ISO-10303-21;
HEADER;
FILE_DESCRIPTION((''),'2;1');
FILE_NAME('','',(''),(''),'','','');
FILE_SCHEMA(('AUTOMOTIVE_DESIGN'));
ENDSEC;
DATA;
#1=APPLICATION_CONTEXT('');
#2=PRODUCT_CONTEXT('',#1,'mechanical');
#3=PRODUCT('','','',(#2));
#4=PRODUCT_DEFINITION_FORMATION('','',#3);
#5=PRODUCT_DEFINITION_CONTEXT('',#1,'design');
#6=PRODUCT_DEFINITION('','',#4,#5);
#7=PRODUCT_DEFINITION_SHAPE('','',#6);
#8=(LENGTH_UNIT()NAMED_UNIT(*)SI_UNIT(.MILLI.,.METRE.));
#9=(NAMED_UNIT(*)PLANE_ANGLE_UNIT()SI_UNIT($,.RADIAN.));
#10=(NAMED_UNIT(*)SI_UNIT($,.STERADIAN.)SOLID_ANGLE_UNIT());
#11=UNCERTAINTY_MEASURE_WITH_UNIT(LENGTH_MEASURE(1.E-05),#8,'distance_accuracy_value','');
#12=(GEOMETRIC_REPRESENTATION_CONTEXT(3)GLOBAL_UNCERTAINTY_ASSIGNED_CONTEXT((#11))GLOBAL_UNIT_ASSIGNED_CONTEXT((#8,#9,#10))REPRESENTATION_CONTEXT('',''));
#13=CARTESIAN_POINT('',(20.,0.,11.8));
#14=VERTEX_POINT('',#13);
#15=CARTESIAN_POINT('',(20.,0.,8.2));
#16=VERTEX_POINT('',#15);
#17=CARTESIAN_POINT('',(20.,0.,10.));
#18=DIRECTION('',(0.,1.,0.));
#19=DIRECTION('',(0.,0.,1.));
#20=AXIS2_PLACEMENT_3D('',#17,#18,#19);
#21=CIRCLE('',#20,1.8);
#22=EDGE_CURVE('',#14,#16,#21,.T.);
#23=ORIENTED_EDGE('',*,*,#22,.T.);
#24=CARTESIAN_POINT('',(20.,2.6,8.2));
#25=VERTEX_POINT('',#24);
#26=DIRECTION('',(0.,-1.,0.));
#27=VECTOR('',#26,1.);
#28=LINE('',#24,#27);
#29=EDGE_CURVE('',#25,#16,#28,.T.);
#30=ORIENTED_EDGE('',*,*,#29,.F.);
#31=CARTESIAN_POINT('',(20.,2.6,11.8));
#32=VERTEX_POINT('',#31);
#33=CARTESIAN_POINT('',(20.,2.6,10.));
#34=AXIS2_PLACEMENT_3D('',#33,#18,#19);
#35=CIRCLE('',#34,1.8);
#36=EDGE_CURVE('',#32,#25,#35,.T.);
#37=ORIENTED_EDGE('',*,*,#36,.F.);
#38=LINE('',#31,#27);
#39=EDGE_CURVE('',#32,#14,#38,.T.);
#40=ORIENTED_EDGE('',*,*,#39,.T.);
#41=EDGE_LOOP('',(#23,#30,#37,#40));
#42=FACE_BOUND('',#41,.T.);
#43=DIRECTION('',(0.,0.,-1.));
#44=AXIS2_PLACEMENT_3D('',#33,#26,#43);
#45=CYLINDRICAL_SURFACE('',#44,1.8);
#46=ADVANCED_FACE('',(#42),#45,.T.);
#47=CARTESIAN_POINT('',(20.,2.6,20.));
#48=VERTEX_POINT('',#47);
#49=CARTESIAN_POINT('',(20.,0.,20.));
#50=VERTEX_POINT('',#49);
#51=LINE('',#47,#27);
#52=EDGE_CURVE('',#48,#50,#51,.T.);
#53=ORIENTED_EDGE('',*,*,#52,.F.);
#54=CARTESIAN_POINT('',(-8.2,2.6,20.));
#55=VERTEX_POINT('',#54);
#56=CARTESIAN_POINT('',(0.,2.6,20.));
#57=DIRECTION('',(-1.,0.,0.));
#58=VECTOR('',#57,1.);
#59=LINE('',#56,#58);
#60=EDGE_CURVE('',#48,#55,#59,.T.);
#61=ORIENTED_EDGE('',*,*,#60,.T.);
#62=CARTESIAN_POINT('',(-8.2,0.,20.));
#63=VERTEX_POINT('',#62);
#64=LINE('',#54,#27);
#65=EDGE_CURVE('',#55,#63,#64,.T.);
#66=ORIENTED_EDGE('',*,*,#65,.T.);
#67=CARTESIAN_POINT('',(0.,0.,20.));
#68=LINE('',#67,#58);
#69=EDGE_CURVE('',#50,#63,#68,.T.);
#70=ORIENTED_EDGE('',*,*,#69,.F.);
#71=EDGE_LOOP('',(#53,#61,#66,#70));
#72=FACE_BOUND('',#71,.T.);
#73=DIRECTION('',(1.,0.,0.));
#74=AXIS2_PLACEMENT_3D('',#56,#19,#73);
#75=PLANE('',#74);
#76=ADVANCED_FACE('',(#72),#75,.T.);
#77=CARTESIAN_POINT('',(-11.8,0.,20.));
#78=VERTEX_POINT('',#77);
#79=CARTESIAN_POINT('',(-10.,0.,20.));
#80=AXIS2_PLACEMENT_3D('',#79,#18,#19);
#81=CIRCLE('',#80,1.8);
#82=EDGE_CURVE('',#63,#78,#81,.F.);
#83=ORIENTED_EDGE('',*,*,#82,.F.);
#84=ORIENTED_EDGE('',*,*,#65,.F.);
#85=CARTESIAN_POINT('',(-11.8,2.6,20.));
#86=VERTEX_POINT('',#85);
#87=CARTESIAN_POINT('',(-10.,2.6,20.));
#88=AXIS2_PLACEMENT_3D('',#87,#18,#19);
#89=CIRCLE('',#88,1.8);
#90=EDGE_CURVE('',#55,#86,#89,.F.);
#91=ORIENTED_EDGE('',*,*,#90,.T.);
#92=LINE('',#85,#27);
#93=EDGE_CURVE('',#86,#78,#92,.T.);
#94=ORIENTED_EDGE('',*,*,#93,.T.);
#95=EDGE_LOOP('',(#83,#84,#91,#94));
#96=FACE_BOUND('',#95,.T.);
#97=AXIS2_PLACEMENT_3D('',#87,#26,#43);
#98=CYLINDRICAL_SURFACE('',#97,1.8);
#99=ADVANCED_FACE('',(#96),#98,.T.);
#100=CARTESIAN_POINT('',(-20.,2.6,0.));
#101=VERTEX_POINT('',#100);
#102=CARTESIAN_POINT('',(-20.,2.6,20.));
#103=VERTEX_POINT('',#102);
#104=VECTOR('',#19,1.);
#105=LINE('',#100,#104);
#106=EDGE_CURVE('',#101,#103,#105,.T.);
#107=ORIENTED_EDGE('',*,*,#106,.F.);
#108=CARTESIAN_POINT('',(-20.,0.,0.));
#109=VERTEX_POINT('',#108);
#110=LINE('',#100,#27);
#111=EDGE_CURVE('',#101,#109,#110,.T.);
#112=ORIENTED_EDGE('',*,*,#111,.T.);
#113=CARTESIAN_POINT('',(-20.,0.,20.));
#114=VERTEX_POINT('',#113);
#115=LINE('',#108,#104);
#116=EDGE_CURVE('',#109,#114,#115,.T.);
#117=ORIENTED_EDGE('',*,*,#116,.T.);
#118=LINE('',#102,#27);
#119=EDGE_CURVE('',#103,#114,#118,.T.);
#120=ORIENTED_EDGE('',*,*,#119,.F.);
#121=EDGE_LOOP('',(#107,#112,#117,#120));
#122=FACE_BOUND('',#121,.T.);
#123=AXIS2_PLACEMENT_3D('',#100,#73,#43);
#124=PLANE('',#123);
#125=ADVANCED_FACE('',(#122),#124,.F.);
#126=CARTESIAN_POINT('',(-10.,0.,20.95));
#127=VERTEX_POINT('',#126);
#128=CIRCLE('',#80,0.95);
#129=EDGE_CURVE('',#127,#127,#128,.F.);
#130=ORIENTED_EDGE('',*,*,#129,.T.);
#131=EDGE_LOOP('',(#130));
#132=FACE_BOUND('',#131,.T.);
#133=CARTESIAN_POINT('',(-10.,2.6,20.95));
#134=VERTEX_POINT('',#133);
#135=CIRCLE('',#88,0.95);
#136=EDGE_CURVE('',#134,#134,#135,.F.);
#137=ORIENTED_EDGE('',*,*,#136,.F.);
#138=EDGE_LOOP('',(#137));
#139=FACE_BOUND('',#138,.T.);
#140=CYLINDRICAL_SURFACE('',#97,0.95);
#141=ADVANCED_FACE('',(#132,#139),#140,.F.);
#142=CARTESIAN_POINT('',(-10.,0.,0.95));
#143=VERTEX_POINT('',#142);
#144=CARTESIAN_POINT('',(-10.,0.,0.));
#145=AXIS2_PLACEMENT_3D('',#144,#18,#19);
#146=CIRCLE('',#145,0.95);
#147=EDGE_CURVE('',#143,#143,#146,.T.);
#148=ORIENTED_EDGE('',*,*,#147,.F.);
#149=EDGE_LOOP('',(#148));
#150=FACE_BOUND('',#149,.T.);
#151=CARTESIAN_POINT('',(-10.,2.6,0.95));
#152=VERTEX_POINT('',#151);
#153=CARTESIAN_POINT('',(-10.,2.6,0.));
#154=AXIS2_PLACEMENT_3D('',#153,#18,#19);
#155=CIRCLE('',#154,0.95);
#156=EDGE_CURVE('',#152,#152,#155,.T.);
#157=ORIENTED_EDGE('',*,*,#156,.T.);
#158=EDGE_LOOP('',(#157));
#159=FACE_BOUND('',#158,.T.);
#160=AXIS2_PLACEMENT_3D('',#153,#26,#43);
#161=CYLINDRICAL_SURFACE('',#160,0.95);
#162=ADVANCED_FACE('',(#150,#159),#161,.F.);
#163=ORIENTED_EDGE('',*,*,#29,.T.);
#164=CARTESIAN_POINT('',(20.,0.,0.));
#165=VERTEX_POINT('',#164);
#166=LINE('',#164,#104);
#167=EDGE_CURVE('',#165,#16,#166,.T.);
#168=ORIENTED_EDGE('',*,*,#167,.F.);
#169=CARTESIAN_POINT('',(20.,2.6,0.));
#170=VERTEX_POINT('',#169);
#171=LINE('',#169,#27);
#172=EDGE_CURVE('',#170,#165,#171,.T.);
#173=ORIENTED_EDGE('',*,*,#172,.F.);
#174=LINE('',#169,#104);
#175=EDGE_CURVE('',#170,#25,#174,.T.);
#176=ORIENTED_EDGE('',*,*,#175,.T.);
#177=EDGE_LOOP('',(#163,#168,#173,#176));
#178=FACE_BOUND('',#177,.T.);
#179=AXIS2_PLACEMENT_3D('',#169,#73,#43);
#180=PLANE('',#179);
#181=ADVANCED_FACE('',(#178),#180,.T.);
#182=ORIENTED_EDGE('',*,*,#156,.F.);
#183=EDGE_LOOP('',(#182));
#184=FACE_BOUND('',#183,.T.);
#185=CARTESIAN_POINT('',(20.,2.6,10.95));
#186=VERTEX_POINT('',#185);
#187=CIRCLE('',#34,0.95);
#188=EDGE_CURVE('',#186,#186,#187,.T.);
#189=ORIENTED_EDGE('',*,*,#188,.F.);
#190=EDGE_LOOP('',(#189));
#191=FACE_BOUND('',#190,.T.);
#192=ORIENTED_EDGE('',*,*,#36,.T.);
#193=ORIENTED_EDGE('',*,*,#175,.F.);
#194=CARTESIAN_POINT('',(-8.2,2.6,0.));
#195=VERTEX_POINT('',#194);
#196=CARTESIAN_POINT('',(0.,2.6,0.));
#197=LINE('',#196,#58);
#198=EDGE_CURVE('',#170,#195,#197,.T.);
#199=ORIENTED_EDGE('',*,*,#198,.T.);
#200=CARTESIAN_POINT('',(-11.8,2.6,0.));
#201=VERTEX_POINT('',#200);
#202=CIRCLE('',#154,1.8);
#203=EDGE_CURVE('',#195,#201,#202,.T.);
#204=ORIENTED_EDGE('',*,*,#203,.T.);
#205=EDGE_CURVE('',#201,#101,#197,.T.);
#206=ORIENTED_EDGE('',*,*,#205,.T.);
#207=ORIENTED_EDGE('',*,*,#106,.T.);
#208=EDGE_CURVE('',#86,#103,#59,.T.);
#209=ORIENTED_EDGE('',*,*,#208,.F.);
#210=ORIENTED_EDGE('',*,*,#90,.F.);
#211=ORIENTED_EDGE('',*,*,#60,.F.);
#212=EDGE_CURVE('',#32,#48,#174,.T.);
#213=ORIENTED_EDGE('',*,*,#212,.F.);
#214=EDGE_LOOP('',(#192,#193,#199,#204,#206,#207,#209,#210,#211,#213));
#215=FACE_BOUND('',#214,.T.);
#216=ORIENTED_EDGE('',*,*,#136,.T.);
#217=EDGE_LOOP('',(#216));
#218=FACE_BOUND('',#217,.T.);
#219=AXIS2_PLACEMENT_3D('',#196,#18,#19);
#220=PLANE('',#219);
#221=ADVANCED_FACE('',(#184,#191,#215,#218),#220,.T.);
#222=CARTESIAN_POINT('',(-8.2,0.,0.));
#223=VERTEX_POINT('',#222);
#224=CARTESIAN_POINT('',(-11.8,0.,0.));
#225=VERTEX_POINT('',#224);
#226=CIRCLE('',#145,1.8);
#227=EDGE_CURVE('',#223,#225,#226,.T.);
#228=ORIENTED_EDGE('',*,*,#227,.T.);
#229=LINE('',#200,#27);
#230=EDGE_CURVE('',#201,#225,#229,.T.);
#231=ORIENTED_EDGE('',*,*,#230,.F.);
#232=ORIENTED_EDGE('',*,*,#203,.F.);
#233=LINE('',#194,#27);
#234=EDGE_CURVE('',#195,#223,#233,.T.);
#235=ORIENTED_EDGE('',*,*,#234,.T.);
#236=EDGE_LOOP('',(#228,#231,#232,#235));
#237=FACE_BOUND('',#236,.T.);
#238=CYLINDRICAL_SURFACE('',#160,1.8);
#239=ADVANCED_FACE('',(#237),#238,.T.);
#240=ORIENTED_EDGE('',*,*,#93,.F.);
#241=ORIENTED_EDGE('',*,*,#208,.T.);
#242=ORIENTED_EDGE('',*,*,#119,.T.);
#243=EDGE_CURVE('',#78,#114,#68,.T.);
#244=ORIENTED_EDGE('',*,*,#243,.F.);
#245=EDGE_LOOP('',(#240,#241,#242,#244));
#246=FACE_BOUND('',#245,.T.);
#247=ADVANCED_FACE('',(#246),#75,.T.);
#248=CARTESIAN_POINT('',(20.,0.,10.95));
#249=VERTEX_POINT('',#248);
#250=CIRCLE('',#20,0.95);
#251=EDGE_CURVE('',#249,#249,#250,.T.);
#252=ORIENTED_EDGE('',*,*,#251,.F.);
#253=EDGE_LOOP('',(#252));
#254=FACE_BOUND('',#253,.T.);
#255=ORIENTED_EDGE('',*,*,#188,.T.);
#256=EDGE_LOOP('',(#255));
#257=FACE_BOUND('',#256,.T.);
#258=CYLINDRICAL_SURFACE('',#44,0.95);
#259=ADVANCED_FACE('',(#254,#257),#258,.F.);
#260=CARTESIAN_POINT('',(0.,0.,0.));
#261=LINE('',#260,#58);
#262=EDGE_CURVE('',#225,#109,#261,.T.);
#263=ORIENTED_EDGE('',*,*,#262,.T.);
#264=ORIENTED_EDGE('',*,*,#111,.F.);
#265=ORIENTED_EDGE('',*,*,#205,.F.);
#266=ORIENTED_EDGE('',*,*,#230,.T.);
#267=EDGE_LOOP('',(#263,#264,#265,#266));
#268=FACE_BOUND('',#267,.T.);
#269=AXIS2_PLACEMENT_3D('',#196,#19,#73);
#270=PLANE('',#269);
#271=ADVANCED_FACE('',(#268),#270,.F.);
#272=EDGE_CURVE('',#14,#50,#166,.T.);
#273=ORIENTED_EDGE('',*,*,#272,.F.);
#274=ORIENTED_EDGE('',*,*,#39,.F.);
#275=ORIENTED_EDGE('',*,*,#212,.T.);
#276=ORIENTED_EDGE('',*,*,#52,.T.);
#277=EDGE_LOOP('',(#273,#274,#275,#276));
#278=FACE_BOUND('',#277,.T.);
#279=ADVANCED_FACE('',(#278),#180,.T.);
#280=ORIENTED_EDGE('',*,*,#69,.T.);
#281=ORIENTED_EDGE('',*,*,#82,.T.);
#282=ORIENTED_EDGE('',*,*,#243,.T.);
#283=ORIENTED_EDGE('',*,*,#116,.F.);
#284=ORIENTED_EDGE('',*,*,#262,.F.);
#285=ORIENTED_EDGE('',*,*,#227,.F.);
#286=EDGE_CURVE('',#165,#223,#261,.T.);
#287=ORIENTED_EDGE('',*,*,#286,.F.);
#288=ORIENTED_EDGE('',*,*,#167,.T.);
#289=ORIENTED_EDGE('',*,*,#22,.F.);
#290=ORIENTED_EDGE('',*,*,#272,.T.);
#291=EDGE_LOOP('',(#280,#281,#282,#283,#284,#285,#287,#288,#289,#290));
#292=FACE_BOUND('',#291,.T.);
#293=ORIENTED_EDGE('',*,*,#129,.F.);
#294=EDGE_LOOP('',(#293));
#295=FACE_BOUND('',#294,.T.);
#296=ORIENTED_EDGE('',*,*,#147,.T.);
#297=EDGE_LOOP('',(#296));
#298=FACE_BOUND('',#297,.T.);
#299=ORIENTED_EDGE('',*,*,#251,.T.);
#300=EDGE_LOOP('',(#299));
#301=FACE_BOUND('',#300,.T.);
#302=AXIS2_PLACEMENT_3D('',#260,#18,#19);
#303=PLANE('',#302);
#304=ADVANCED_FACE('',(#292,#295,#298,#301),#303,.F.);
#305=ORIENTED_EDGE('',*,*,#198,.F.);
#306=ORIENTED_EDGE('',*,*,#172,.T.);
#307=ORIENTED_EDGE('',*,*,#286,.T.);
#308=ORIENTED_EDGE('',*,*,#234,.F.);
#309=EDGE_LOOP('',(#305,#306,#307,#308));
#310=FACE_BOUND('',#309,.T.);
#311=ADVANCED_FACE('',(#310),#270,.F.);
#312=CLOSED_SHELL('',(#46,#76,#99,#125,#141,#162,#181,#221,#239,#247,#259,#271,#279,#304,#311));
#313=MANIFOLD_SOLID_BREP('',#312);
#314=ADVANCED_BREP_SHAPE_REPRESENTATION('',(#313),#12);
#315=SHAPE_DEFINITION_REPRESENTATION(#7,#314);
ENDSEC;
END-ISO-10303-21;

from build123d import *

# Parameters (mm, degrees)
SKETCH1_R           = 0.95
BOSS_EXTRUDE1_DEPTH = 2.6


with BuildPart() as part:
    # Sketch1 → Boss-Extrude1 (new body)
    with BuildSketch(Plane(origin=(0, 0, 0), x_dir=(1, 0, 0), z_dir=(0, 1, 0))):
        with BuildLine():
            Line((20, -8.2), (20, 0))
            Line((20, 0), (-8.2, 0))
            ThreePointArc((-8.2, 0), (-10, 1.8), (-11.8, 0))
            Line((-11.8, 0), (-20, 0))
            Line((-20, 0), (-20, -20))
            Line((-20, -20), (-11.8, -20))
            ThreePointArc((-11.8, -20), (-10, -21.8), (-8.2, -20))
            Line((-8.2, -20), (20, -20))
            Line((20, -20), (20, -11.8))
            ThreePointArc((20, -11.8), (21.8, -10), (20, -8.2))
        make_face()
        with Locations((-10, 0)):
            Circle(SKETCH1_R, mode=Mode.SUBTRACT)
        with Locations((20, -10)):
            Circle(SKETCH1_R, mode=Mode.SUBTRACT)
        with Locations((-10, -20)):
            Circle(SKETCH1_R, mode=Mode.SUBTRACT)
    extrude(amount=BOSS_EXTRUDE1_DEPTH)


solid = part.part
